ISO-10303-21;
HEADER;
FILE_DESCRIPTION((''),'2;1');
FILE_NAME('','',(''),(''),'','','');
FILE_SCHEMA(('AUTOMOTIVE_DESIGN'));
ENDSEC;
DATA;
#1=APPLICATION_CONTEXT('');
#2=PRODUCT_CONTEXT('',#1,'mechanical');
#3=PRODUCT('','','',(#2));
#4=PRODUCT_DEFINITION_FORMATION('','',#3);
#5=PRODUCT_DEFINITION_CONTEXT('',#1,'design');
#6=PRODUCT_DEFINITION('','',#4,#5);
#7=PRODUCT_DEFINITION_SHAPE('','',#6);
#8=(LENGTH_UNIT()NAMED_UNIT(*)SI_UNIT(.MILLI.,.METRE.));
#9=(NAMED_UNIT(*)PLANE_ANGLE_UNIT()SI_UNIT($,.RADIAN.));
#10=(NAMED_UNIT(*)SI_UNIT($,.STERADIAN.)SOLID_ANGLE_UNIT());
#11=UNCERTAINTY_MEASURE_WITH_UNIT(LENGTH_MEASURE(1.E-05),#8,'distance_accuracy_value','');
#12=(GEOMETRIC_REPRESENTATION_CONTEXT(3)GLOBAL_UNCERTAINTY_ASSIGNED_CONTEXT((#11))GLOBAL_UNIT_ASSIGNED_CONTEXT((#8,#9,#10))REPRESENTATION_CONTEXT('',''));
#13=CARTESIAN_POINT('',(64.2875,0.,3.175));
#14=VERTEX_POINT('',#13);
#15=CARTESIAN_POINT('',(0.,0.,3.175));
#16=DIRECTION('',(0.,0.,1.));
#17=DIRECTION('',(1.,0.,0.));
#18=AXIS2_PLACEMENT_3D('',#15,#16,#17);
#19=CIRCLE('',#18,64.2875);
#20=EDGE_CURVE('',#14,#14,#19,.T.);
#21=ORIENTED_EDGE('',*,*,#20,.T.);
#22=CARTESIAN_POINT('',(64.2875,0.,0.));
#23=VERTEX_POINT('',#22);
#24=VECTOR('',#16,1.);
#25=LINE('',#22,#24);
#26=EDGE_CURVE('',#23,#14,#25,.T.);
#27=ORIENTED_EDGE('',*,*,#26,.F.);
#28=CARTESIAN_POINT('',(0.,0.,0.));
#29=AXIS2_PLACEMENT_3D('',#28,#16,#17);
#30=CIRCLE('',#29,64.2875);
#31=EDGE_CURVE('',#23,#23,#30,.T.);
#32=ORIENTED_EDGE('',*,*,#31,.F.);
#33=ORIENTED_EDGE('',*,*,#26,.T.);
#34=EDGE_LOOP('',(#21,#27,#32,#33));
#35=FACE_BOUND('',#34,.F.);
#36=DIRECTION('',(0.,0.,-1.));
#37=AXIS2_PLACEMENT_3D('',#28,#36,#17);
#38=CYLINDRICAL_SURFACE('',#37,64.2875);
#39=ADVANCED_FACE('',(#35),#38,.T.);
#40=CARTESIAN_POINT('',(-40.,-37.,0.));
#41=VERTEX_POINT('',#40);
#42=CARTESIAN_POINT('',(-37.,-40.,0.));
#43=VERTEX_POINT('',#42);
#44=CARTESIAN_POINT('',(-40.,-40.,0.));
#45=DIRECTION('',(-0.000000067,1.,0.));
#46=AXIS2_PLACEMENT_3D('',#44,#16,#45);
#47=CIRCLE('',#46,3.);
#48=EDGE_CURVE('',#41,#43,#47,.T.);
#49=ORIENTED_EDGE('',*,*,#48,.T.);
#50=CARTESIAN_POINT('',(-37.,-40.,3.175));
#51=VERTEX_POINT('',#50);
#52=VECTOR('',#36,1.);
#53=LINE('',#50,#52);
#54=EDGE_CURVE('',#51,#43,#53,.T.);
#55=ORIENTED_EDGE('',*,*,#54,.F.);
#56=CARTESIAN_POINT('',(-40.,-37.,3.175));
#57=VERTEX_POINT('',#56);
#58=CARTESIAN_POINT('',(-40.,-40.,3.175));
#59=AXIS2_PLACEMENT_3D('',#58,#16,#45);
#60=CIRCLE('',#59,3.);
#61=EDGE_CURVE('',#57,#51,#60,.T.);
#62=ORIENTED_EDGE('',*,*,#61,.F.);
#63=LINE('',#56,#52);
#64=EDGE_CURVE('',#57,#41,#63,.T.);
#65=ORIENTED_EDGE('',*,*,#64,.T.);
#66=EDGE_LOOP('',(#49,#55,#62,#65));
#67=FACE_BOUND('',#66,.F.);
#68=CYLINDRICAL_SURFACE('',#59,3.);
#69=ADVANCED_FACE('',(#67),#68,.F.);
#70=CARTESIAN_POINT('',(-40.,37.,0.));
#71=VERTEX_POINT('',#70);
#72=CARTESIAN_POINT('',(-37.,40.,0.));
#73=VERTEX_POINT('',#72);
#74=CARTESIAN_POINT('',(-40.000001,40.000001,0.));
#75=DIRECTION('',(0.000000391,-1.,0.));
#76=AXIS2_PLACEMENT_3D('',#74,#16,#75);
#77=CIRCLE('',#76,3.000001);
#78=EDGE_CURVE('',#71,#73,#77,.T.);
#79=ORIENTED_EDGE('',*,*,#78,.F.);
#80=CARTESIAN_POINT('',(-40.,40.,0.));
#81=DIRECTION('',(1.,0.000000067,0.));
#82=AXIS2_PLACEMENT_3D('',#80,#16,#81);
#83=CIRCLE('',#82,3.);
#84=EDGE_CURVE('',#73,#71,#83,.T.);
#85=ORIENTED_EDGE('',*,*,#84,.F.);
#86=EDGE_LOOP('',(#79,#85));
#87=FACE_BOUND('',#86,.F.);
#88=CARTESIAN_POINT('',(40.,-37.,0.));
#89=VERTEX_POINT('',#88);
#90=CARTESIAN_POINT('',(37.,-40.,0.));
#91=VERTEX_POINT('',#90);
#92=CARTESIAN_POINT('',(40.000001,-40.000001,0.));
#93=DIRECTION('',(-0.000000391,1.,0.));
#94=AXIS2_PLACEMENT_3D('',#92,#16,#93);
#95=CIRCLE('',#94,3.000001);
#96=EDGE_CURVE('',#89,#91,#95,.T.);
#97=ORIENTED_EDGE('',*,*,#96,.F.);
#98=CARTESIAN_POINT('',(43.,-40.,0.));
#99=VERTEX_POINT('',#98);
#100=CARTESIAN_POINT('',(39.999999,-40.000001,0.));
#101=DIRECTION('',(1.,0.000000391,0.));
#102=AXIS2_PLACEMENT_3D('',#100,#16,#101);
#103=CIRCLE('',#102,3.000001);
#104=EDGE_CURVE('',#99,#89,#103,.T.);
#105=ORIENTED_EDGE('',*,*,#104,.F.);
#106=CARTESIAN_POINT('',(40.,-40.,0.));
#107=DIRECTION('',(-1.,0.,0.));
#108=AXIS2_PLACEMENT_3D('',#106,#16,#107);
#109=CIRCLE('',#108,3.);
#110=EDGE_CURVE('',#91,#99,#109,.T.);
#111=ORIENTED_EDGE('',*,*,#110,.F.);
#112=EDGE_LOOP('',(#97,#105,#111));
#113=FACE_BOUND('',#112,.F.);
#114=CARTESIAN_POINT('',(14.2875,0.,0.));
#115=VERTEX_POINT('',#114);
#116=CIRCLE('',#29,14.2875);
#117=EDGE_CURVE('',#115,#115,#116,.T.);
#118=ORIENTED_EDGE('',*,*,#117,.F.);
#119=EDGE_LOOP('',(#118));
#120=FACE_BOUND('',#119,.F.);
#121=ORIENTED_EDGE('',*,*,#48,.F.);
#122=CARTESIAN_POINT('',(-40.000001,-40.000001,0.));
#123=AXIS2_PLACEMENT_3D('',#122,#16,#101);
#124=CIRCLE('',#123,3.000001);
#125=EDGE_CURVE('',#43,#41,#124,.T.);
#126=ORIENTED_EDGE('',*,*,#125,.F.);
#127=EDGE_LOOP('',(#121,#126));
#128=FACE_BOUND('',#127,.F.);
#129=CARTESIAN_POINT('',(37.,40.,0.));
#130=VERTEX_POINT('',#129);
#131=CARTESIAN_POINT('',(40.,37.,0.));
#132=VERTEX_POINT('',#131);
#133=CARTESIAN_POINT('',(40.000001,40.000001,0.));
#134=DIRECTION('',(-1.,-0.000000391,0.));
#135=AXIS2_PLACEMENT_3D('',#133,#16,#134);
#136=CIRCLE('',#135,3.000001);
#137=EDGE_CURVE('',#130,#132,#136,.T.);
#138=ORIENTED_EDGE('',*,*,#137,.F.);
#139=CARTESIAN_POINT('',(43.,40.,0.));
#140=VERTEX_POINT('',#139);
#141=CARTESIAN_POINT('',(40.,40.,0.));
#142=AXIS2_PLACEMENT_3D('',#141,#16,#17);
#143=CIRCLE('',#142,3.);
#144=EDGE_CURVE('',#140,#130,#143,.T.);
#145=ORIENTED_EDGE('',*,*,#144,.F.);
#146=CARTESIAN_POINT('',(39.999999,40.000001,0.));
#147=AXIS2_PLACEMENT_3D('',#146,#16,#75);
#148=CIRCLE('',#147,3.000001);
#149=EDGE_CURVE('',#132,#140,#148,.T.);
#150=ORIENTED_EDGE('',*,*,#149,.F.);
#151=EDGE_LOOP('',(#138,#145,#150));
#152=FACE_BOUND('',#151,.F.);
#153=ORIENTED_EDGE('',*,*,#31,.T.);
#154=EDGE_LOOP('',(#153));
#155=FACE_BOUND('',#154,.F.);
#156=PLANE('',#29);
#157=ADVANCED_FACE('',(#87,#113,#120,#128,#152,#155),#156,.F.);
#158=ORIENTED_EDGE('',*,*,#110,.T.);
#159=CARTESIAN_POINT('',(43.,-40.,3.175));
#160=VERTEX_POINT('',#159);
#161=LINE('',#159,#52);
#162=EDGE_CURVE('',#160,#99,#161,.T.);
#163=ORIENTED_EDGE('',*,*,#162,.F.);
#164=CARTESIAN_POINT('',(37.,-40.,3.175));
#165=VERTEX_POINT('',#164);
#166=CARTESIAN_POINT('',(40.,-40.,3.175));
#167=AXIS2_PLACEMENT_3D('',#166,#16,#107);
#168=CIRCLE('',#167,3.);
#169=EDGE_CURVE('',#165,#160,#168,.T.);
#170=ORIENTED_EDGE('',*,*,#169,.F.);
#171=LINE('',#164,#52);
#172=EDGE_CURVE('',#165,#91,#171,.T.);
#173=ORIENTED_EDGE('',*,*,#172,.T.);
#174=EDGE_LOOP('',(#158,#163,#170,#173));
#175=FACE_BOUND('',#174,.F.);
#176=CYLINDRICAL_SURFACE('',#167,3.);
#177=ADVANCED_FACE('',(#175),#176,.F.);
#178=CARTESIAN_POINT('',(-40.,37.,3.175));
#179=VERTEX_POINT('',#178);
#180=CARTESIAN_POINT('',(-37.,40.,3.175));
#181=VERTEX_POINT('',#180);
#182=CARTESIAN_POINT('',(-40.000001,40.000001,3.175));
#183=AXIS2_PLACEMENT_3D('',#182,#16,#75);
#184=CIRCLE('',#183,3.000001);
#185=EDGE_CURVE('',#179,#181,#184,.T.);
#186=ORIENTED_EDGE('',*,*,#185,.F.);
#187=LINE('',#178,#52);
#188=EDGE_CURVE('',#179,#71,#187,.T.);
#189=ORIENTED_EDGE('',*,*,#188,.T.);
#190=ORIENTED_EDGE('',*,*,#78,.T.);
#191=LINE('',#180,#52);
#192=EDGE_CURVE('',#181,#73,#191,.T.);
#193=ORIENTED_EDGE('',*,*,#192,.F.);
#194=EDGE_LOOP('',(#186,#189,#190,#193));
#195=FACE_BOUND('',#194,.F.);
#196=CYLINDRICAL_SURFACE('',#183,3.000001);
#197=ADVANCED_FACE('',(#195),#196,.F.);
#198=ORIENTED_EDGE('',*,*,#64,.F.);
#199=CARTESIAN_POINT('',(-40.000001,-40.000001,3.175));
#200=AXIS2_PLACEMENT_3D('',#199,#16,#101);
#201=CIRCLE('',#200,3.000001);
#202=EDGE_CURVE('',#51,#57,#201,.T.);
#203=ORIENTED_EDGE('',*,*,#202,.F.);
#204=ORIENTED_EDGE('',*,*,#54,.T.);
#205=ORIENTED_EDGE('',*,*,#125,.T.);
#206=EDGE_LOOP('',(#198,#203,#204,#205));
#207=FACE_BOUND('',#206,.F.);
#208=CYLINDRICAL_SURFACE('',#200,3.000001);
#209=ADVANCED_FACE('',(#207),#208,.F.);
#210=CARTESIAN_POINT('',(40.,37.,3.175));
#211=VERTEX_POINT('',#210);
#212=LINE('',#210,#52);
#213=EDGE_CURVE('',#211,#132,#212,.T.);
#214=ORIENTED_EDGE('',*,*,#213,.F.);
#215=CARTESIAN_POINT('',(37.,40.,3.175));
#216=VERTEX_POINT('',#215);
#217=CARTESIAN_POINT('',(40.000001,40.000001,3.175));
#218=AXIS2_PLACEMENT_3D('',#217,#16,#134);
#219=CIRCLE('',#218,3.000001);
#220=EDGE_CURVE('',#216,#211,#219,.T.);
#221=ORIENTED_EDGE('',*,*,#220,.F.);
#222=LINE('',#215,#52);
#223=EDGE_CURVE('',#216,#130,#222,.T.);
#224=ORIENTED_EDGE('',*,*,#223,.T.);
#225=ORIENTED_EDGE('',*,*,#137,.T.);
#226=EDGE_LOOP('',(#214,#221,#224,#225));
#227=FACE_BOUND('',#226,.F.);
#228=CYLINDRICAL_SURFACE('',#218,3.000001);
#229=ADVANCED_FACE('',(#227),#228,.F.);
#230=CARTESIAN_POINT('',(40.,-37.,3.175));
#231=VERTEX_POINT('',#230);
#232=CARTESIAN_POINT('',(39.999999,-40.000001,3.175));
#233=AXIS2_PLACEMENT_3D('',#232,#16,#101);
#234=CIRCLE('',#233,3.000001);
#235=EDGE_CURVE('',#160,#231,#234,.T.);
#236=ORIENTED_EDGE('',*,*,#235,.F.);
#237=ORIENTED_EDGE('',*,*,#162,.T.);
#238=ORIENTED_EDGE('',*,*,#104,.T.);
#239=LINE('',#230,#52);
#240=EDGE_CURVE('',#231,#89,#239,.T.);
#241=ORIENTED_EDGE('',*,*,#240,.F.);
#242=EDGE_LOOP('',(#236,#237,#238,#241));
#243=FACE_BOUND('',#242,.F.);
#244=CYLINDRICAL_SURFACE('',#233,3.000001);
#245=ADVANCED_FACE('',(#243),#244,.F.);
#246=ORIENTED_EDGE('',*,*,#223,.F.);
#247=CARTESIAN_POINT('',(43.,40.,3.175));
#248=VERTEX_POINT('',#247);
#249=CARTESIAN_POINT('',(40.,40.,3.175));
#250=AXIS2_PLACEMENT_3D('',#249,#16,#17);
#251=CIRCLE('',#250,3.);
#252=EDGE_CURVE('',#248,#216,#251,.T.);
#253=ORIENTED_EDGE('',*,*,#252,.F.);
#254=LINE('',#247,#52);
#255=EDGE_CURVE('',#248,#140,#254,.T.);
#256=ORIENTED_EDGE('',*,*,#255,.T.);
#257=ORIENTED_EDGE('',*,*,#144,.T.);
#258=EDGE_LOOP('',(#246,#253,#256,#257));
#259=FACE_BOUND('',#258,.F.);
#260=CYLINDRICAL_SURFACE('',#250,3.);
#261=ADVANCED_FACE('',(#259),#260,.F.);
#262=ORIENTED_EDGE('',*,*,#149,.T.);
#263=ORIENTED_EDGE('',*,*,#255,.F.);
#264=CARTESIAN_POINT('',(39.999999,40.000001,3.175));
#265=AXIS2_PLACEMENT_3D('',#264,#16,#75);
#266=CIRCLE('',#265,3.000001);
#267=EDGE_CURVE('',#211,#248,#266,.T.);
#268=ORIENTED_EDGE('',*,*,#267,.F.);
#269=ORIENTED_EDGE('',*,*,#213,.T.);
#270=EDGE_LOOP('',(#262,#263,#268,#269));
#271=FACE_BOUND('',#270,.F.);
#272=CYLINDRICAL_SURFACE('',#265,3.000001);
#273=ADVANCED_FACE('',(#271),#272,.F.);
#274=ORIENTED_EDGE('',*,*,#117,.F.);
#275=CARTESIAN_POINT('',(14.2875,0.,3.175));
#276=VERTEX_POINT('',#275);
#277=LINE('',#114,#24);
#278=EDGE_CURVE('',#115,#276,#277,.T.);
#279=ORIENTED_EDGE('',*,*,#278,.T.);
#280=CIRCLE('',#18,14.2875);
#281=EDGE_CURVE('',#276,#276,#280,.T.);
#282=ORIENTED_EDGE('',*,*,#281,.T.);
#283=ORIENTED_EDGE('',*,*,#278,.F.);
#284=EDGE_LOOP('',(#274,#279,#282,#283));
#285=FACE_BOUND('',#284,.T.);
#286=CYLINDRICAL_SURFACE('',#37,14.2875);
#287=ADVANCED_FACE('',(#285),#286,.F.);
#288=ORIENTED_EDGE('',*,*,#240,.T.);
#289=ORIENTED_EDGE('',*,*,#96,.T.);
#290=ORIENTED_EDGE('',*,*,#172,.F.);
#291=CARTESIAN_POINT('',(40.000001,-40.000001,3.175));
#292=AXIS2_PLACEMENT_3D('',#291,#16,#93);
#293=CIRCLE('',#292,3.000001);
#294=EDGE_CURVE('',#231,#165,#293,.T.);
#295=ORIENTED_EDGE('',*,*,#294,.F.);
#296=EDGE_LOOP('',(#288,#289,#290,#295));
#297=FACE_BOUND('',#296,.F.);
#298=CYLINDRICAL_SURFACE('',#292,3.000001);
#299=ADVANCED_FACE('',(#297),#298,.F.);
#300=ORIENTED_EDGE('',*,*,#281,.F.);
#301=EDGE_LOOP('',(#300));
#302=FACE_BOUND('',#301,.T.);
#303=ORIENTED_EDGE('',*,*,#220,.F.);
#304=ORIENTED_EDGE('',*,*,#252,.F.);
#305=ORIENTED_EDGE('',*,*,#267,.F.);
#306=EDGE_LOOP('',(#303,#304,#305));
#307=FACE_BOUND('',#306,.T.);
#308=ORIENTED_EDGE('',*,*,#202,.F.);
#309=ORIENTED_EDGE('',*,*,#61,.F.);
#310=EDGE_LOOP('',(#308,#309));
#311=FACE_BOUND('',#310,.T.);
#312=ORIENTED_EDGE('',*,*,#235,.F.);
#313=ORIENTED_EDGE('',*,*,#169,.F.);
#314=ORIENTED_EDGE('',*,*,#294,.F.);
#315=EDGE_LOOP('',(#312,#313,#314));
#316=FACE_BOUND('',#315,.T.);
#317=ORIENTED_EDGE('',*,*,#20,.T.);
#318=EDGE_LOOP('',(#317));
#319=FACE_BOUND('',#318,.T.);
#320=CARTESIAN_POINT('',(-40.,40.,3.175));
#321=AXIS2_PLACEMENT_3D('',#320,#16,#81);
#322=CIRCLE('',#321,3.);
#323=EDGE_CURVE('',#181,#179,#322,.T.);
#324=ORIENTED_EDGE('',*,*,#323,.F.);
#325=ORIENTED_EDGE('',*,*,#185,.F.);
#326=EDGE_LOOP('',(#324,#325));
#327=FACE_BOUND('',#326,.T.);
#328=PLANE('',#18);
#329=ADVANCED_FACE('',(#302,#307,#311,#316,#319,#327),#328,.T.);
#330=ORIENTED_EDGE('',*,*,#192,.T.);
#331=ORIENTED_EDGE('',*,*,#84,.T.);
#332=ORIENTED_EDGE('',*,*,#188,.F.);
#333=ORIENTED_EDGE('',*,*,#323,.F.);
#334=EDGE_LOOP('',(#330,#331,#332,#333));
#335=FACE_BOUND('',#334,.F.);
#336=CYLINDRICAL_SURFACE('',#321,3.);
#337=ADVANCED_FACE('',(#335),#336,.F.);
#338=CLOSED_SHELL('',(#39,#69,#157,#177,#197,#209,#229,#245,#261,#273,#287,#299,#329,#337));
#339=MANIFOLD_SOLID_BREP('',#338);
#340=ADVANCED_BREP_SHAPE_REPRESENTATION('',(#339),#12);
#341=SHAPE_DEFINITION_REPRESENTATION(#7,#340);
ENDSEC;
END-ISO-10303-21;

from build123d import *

# Parameters (mm, degrees)
F0_R     = 64.2875
F0_R_2   = 14.2875
F1_DEPTH = 3.175
F3_DEPTH = 25


with BuildPart() as f1:
    # F0 (on Top) → F1 (new body)
    with BuildSketch(Plane.XY):
        Circle(F0_R)
        Circle(F0_R_2, mode=Mode.SUBTRACT)
    extrude(amount=F1_DEPTH)

    # F2 (on face) → F3 (cut)
    with BuildSketch(Plane.XY.offset(3.175)):
        with BuildLine():
            ThreePointArc((-40, 37), (-37.87868, 37.87868), (-37, 40))
            Line((-37, 40), (-40, 40))
            Line((-40, 40), (-40, 37))
        make_face()
        with BuildLine():
            Line((-40, 40), (-37, 40))
            ThreePointArc((-37, 40), (-42.12132, 42.12132), (-40, 37))
            Line((-40, 37), (-40, 40))
        make_face()
        with BuildLine():
            Line((40, 40), (37, 40))
            ThreePointArc((37, 40), (37.87868, 37.87868), (40, 37))
            Line((40, 37), (40, 40))
        make_face()
        with BuildLine():
            ThreePointArc((43, 40), (40, 43), (37, 40))
            Line((37, 40), (40, 40))
            Line((40, 40), (40, 37))
            ThreePointArc((40, 37), (42.12132, 37.87868), (43, 40))
        make_face()
        with BuildLine():
            ThreePointArc((43, -40), (42.12132, -37.87868), (40, -37))
            Line((40, -37), (40, -40))
            Line((40, -40), (37, -40))
            ThreePointArc((37, -40), (40, -43), (43, -40))
        make_face()
        with BuildLine():
            Line((40, -40), (40, -37))
            ThreePointArc((40, -37), (37.87868, -37.87868), (37, -40))
            Line((37, -40), (40, -40))
        make_face()
        with BuildLine():
            Line((-40, -40), (-40, -37))
            ThreePointArc((-40, -37), (-42.12132, -42.12132), (-37, -40))
            Line((-37, -40), (-40, -40))
        make_face()
        with BuildLine():
            ThreePointArc((-37, -40), (-37.87868, -37.87868), (-40, -37))
            Line((-40, -37), (-40, -40))
            Line((-40, -40), (-37, -40))
        make_face()
    extrude(amount=-F3_DEPTH, mode=Mode.SUBTRACT)


solid = f1.part
